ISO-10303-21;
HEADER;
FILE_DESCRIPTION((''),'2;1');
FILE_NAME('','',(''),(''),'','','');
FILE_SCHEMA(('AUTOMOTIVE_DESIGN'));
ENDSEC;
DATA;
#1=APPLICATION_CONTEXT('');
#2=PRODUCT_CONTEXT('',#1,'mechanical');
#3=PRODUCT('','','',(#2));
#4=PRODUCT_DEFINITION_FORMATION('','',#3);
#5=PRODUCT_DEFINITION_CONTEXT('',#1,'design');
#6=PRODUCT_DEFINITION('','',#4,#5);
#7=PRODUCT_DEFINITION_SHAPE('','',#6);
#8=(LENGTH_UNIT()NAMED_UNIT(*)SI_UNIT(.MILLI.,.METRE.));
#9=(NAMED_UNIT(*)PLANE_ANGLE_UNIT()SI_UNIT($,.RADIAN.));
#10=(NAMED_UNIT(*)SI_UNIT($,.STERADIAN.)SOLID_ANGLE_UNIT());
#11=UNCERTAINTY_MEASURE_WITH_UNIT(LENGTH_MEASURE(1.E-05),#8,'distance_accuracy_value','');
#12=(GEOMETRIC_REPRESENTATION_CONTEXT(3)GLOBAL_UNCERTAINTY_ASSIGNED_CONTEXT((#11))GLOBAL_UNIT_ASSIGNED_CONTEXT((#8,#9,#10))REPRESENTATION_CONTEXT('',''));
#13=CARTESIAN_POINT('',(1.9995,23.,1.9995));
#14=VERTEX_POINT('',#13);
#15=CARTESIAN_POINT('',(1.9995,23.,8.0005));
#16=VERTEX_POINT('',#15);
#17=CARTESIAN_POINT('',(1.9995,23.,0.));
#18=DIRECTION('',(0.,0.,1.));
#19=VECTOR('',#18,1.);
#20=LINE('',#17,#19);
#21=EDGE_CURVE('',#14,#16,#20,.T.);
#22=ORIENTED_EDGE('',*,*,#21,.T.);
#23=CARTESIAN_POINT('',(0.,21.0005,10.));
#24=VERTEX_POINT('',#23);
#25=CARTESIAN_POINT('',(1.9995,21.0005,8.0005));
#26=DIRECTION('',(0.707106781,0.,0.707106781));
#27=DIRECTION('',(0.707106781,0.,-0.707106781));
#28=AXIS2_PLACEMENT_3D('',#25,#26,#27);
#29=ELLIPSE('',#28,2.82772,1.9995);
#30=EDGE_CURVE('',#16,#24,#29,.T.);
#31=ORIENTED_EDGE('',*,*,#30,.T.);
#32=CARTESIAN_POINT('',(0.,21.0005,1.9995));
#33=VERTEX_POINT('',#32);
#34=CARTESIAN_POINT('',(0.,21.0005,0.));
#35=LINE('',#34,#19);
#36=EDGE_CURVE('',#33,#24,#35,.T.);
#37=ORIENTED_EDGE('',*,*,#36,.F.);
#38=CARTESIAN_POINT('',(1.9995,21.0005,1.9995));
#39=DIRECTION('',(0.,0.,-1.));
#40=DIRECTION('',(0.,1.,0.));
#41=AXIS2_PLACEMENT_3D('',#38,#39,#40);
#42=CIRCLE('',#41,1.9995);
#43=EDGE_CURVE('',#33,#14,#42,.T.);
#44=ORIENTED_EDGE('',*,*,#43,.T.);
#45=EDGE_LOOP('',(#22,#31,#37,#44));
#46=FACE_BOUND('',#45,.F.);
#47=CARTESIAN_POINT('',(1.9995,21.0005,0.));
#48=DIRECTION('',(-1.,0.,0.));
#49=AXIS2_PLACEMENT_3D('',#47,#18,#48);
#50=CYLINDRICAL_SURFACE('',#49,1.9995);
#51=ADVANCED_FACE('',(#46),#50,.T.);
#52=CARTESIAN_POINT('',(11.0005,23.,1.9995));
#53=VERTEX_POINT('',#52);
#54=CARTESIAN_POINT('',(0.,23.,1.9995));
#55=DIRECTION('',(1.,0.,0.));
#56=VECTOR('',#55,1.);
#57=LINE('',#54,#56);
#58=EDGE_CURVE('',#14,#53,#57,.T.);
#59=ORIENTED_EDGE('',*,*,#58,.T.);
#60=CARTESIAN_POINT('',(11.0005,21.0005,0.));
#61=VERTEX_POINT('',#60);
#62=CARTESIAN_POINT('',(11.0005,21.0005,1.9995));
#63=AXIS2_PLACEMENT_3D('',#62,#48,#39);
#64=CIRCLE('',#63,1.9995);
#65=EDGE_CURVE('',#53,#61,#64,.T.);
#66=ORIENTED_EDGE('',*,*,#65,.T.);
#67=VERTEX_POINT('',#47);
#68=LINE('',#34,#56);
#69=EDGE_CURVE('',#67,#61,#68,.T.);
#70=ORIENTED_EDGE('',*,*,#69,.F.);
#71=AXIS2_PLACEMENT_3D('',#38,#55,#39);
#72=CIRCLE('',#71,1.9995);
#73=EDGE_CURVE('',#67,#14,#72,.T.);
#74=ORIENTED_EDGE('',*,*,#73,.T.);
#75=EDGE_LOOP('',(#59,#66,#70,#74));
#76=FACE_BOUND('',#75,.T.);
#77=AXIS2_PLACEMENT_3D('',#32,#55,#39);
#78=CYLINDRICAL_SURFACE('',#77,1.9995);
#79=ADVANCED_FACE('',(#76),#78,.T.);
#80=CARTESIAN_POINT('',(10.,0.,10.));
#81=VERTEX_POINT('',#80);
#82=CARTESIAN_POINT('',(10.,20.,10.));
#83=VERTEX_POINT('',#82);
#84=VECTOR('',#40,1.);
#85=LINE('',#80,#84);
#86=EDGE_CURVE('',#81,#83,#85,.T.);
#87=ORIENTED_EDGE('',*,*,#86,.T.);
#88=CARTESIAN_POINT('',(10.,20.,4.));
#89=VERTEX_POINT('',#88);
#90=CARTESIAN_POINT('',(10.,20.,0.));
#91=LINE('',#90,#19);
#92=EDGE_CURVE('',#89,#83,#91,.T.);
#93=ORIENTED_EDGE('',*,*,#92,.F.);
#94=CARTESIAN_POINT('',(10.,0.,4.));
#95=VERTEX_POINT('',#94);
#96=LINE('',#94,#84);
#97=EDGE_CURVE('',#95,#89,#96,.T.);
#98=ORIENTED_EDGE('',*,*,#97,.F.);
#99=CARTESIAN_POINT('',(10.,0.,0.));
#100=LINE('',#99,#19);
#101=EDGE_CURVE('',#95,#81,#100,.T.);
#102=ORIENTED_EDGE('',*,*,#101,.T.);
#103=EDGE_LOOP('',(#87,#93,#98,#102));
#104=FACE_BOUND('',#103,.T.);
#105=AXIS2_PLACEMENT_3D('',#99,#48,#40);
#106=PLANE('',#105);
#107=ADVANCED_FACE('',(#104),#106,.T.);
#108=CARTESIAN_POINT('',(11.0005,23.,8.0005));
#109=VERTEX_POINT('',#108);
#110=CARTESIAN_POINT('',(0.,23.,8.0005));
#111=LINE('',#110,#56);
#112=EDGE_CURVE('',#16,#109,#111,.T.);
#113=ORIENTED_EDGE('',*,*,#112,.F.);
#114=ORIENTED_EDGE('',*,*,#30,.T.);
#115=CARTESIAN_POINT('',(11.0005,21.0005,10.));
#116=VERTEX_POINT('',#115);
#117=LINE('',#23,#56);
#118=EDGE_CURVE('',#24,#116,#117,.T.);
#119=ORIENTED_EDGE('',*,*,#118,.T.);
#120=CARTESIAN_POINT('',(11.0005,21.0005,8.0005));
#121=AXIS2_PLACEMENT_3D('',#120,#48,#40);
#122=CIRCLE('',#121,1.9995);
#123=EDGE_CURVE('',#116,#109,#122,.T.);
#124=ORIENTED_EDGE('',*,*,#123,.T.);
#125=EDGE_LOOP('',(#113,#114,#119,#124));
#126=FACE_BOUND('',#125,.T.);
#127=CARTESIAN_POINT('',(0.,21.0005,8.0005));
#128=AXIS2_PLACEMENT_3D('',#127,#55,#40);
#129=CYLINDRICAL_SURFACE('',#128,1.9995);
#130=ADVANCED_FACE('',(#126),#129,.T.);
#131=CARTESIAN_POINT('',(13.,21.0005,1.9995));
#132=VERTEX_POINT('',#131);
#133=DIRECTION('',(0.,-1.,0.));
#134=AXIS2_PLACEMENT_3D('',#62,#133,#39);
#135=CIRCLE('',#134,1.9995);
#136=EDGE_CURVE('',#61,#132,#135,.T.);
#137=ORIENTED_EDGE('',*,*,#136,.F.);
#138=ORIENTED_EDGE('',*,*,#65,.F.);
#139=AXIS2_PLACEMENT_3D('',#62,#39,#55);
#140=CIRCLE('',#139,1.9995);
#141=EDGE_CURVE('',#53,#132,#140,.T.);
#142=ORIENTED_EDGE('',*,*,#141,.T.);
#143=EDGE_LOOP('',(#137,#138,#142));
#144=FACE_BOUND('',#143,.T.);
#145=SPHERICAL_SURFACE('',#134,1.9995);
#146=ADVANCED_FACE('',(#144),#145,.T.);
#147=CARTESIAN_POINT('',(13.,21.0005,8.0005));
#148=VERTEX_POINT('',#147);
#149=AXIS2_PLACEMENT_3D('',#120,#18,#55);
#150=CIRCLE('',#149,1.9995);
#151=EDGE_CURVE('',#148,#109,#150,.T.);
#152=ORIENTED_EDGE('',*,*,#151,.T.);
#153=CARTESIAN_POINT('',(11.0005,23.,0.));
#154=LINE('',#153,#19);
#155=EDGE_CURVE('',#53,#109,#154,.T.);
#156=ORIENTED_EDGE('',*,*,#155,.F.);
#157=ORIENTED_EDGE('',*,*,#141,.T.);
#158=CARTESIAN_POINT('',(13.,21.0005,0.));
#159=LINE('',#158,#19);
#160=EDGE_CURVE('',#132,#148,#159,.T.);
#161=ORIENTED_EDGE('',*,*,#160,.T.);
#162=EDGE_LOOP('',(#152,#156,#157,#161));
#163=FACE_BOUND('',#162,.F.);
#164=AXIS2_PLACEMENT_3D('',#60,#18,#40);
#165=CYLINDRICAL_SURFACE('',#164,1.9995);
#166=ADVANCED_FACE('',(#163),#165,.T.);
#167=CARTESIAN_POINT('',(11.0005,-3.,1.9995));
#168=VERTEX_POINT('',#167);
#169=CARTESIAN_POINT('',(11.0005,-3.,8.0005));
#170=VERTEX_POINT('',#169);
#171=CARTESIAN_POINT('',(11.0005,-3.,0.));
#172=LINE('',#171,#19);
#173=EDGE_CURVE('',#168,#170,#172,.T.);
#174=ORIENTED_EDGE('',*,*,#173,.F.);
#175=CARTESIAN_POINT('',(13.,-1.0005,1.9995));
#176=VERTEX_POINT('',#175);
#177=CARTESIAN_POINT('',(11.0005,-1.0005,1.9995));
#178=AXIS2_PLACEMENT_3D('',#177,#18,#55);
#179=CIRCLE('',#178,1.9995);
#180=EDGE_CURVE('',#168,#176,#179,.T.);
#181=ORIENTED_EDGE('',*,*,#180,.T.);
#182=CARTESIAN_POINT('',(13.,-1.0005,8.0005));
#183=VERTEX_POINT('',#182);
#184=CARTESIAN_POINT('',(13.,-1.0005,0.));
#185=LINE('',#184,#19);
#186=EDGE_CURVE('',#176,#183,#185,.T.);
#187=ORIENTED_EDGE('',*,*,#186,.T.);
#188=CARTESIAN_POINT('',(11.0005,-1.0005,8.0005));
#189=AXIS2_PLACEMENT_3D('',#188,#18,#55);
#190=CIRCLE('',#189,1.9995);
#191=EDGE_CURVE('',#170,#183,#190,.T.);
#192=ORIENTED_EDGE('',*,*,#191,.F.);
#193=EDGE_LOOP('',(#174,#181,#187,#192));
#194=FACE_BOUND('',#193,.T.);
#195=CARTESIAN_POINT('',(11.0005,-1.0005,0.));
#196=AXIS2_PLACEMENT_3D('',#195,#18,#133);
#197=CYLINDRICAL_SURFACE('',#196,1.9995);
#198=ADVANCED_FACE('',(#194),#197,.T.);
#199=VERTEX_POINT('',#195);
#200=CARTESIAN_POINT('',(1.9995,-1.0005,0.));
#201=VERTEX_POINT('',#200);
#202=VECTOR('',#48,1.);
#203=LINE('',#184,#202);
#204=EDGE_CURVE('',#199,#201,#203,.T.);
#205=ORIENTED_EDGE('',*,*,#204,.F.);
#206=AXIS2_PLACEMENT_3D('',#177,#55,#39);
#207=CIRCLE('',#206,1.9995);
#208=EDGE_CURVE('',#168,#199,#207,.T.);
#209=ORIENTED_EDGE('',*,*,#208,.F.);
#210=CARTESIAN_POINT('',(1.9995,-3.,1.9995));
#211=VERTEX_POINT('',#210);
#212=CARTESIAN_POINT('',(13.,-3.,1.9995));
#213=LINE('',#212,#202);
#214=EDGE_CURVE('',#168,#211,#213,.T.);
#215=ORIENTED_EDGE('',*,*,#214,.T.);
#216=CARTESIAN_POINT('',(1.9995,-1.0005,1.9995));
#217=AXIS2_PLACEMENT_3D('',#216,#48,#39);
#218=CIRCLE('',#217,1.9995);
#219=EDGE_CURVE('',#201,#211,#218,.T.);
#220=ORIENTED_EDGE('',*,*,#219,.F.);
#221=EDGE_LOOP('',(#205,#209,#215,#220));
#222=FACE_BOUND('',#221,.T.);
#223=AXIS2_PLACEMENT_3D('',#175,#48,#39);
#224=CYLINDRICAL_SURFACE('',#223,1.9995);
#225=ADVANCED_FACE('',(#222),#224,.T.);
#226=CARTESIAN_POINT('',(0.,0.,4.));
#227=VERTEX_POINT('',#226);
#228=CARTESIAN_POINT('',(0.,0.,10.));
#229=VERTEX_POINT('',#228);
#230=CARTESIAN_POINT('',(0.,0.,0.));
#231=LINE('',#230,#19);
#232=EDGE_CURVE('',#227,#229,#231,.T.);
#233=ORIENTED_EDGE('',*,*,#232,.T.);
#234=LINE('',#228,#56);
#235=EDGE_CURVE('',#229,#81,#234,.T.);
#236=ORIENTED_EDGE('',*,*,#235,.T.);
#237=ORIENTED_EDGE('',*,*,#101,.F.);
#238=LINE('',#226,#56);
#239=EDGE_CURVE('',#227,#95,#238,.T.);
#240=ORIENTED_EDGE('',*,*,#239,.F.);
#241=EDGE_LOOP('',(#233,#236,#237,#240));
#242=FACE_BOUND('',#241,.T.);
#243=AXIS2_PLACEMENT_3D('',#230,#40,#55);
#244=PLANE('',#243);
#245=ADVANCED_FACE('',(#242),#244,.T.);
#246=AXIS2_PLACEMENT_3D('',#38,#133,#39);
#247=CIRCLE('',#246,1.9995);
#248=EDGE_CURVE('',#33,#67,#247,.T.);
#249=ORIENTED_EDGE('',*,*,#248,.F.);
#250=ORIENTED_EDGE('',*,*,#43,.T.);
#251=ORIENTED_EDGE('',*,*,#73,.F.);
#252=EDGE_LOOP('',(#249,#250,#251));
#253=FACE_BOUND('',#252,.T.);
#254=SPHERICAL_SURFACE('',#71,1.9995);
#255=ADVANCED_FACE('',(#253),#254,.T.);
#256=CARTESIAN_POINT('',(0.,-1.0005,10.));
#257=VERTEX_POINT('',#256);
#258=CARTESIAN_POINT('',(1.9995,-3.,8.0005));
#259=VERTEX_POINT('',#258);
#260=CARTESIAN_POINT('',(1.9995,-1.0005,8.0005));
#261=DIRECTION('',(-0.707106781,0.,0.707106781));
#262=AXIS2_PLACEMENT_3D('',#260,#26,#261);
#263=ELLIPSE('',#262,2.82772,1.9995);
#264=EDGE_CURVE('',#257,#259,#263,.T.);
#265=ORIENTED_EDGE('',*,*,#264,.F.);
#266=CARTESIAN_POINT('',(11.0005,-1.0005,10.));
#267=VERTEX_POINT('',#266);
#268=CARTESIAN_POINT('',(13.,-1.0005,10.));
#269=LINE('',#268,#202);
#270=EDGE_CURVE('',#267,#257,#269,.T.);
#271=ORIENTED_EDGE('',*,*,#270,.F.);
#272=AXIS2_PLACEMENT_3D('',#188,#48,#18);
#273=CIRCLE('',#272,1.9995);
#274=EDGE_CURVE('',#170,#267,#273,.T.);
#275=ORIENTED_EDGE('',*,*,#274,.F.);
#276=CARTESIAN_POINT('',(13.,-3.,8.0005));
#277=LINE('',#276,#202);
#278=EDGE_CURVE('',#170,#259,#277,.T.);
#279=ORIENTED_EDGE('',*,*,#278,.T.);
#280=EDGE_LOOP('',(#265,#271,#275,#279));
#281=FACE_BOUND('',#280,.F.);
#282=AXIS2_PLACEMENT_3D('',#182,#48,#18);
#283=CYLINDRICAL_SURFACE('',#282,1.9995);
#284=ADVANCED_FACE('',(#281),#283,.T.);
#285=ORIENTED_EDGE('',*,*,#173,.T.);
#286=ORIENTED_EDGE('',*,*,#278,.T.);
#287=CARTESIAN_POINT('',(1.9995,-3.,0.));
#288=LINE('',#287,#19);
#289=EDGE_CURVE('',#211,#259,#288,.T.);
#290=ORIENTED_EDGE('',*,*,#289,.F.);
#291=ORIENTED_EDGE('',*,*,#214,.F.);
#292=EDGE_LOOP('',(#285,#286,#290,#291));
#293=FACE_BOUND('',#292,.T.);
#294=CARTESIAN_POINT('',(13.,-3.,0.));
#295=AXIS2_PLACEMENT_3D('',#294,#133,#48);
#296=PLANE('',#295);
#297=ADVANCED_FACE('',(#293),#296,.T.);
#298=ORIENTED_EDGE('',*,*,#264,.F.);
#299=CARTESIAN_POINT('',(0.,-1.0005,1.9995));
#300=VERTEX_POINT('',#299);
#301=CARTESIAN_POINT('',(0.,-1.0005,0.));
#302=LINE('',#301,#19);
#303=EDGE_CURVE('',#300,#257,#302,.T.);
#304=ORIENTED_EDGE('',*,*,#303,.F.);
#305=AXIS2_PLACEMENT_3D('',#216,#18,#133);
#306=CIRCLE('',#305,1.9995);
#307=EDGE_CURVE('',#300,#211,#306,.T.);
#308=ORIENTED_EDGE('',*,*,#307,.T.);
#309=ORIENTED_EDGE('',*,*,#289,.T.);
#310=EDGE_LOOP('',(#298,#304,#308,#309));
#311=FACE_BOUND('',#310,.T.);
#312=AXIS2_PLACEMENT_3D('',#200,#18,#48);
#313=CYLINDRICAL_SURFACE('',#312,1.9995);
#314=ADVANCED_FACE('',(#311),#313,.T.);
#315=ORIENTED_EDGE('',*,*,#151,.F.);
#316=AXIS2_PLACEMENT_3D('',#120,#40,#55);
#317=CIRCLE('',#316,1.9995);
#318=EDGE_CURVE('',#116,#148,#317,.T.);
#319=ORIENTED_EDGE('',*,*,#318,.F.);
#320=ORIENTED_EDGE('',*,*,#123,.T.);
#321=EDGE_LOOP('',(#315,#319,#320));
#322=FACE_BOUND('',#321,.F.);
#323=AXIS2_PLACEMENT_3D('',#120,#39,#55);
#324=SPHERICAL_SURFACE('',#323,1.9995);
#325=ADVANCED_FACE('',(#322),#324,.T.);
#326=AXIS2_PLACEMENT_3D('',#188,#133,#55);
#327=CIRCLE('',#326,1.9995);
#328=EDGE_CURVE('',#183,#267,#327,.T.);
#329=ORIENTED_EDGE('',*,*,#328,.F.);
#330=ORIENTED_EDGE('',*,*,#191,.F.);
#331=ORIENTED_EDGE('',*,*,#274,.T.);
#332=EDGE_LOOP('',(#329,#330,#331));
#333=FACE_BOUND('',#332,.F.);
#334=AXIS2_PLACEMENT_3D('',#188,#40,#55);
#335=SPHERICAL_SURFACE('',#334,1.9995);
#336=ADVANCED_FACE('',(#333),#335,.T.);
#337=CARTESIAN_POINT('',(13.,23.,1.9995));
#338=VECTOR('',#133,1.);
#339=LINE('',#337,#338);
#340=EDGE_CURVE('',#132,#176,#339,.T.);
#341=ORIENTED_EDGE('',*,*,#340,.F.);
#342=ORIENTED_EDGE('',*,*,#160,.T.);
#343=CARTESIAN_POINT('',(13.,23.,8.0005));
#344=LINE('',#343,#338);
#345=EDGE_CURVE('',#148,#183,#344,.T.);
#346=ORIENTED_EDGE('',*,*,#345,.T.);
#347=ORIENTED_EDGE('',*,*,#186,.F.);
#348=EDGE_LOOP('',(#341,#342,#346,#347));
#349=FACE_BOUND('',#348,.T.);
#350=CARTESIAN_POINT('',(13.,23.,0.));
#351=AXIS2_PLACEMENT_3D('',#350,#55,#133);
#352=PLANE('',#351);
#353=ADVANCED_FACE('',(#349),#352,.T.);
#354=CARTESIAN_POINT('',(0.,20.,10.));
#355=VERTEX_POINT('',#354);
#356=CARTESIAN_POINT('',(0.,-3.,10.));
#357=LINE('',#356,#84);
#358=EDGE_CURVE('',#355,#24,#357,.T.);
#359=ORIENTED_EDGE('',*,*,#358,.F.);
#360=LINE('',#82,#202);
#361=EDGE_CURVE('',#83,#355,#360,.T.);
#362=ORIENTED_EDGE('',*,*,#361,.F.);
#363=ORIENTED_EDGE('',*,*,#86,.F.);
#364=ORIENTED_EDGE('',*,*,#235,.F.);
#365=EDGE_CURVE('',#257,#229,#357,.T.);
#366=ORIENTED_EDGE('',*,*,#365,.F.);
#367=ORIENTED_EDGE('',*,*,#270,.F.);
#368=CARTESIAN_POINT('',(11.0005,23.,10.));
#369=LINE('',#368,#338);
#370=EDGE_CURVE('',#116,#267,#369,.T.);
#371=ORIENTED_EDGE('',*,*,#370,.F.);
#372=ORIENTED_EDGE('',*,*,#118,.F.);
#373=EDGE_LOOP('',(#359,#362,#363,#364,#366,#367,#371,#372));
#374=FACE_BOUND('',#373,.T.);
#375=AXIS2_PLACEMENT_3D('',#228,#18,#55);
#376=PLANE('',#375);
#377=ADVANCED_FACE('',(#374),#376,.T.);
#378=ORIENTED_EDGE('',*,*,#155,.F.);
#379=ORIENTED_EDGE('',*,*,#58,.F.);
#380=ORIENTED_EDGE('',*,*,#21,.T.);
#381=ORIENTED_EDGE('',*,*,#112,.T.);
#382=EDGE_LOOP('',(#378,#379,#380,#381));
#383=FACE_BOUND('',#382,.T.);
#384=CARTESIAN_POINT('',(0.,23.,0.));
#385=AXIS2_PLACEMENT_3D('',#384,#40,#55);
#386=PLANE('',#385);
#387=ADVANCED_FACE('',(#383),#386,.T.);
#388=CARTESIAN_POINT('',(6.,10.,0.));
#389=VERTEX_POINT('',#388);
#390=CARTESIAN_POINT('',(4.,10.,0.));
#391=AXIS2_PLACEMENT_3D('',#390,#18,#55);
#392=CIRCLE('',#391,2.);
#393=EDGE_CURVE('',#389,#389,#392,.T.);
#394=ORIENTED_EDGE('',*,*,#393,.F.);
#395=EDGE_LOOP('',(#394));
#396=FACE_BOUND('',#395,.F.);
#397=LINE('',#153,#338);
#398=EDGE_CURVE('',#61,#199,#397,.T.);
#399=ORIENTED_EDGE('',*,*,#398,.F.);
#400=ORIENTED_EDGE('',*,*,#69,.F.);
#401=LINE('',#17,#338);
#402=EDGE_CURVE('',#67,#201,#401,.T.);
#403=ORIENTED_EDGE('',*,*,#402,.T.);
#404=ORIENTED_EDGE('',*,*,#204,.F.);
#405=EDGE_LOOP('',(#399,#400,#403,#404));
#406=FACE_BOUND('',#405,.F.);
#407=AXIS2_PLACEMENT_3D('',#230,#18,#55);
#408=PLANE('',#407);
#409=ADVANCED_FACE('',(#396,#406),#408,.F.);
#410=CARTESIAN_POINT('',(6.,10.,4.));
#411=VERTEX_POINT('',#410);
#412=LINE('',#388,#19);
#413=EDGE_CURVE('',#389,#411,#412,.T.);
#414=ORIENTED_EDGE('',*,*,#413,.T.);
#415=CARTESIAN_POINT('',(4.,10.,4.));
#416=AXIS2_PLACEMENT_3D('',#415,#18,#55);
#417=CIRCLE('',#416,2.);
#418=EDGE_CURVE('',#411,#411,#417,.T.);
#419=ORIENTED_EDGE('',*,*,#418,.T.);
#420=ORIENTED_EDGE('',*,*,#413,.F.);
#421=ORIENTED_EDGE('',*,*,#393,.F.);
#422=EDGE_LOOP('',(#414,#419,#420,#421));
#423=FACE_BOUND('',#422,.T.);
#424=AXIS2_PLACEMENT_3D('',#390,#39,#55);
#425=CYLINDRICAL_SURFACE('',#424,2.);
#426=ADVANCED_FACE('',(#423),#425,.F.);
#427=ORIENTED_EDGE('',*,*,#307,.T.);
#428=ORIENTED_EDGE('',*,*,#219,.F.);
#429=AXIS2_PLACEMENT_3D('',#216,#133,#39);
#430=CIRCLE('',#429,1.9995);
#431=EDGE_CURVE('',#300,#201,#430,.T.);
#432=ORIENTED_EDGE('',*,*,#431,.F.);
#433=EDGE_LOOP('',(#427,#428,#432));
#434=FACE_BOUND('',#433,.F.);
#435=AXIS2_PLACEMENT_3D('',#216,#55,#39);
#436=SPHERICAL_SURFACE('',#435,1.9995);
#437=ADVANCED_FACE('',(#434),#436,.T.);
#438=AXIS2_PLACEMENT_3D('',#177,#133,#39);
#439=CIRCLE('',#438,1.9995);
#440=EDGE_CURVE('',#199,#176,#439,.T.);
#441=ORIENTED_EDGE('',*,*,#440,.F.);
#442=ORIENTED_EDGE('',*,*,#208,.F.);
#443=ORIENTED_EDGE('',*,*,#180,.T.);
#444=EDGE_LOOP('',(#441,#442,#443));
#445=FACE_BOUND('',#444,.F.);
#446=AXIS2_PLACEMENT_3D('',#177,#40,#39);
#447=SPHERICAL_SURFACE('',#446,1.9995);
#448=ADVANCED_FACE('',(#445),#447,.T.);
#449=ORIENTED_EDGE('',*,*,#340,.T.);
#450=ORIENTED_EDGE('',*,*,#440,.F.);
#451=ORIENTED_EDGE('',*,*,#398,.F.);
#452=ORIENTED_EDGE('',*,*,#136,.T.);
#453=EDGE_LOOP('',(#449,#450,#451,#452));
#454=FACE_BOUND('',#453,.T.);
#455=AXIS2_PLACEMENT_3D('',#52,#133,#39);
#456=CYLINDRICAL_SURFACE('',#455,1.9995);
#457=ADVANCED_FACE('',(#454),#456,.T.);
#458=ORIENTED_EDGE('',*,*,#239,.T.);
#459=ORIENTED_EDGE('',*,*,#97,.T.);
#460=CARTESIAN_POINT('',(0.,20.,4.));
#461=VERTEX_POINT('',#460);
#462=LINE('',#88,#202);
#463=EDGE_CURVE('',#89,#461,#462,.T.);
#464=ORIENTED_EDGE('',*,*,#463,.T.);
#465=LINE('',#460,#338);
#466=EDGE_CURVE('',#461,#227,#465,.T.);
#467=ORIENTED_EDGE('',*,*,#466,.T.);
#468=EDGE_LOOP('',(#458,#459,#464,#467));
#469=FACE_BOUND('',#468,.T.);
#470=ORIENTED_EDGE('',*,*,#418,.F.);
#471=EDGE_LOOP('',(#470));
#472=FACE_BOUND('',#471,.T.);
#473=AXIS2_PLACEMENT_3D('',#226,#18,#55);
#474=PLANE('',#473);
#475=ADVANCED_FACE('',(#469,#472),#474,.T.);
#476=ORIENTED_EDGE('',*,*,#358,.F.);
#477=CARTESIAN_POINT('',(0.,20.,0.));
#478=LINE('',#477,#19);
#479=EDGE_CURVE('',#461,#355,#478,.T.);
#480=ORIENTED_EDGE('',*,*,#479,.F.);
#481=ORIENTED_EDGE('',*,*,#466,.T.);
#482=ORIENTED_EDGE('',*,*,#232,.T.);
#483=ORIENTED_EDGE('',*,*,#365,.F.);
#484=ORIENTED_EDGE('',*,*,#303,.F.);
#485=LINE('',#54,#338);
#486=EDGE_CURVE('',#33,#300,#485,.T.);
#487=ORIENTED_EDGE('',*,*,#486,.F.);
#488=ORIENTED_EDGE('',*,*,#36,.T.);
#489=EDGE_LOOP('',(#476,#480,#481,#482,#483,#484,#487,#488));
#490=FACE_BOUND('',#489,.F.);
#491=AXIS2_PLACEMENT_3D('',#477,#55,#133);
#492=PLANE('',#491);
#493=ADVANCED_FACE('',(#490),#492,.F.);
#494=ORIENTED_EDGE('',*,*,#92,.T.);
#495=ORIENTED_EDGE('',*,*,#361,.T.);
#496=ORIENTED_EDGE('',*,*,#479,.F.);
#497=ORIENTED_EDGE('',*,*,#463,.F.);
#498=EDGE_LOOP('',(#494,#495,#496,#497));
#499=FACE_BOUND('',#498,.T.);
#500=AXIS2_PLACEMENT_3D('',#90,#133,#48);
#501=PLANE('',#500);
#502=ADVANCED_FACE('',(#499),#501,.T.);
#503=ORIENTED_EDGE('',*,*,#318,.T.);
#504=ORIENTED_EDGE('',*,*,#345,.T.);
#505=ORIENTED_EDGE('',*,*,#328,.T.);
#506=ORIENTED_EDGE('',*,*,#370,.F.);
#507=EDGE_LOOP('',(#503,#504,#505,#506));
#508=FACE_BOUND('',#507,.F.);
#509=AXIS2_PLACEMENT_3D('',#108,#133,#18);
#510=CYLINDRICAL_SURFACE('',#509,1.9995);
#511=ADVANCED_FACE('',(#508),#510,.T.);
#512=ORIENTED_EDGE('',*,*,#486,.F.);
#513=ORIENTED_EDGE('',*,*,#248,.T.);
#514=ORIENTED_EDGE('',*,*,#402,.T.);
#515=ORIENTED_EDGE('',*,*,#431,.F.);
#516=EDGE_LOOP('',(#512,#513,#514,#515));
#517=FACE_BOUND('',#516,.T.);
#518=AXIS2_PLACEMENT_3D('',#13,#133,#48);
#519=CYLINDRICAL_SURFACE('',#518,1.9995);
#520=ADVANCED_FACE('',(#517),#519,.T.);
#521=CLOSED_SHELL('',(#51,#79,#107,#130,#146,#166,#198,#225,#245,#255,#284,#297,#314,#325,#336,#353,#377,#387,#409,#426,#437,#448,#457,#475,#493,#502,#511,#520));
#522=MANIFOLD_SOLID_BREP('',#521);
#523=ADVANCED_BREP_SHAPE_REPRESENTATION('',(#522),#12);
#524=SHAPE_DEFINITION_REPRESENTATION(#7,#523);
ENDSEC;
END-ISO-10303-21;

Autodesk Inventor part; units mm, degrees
ref_plane "YZ Plane" through (0, 0, 0) normal (1, 0, 0) x (0, 1, 0)
ref_plane "XZ Plane" through (0, 0, 0) normal (0, 1, 0) x (-1, 0, 0)
ref_plane "XY Plane" through (0, 0, 0) normal (0, 0, 1) x (1, 0, 0)
sketch "Эскиз1" plane through (0, 0, 0) normal (0, 0, 1) x (1, 0, 0)
  line L0 (0, 0) -> (10, 0)
  line L1 (10, 0) -> (10, 20)
  line L2 (10, 20) -> (0, 20)
  line L3 (0, 20) -> (0, 0)
  circle A0 centre (4, 10) radius 2
  point P0 (10, 10)
  dimension "d0" = 10
  dimension "d1" = 4
  dimension "d2" = 6
  dimension "d3" = 20
extrude "Выдавливание1" add sketch "Эскиз1" along normal blind 4
sketch "Эскиз2" plane through (0, 0, 4) normal (0, 0, 1) x (1, 0, 0)
  point P0 (0, 0)
sketch "Эскиз3" plane through (0, 0, 0) normal (0, 0, 1) x (1, 0, 0)
  line L0 (0, 23) -> (13, 23)
  line L1 (13, 23) -> (13, -3)
  line L2 (13, -3) -> (0, -3)
  line L3 (0, -3) -> (0, 23)
  line L4 (10, 0) -> (10, 20) projected
  line L5 (10, 20) -> (0, 20) projected
  line L6 (0, 0) -> (10, 0) projected
  point P0 (10, 10)
  point P1 (13, 10)
  dimension "d8" = 3
  dimension "d10" = 3
extrude "Выдавливание2" add sketch "Эскиз3" along normal blind 10 contours L0 L1 L2 L3 L6 L4 L5
fillet "Сопряжение1" radius 2 11 edges at (13, 10, 0) (6.5, -3, 0) (6.5, 23, 0) (0, 10, 0) (13, 23, 5) (13, 10, 10) (13, -3, 5) (6.5, -3, 10) (6.5, 23, 10) (0, 23, 5) (0, -3, 5)
properties part number "2"
